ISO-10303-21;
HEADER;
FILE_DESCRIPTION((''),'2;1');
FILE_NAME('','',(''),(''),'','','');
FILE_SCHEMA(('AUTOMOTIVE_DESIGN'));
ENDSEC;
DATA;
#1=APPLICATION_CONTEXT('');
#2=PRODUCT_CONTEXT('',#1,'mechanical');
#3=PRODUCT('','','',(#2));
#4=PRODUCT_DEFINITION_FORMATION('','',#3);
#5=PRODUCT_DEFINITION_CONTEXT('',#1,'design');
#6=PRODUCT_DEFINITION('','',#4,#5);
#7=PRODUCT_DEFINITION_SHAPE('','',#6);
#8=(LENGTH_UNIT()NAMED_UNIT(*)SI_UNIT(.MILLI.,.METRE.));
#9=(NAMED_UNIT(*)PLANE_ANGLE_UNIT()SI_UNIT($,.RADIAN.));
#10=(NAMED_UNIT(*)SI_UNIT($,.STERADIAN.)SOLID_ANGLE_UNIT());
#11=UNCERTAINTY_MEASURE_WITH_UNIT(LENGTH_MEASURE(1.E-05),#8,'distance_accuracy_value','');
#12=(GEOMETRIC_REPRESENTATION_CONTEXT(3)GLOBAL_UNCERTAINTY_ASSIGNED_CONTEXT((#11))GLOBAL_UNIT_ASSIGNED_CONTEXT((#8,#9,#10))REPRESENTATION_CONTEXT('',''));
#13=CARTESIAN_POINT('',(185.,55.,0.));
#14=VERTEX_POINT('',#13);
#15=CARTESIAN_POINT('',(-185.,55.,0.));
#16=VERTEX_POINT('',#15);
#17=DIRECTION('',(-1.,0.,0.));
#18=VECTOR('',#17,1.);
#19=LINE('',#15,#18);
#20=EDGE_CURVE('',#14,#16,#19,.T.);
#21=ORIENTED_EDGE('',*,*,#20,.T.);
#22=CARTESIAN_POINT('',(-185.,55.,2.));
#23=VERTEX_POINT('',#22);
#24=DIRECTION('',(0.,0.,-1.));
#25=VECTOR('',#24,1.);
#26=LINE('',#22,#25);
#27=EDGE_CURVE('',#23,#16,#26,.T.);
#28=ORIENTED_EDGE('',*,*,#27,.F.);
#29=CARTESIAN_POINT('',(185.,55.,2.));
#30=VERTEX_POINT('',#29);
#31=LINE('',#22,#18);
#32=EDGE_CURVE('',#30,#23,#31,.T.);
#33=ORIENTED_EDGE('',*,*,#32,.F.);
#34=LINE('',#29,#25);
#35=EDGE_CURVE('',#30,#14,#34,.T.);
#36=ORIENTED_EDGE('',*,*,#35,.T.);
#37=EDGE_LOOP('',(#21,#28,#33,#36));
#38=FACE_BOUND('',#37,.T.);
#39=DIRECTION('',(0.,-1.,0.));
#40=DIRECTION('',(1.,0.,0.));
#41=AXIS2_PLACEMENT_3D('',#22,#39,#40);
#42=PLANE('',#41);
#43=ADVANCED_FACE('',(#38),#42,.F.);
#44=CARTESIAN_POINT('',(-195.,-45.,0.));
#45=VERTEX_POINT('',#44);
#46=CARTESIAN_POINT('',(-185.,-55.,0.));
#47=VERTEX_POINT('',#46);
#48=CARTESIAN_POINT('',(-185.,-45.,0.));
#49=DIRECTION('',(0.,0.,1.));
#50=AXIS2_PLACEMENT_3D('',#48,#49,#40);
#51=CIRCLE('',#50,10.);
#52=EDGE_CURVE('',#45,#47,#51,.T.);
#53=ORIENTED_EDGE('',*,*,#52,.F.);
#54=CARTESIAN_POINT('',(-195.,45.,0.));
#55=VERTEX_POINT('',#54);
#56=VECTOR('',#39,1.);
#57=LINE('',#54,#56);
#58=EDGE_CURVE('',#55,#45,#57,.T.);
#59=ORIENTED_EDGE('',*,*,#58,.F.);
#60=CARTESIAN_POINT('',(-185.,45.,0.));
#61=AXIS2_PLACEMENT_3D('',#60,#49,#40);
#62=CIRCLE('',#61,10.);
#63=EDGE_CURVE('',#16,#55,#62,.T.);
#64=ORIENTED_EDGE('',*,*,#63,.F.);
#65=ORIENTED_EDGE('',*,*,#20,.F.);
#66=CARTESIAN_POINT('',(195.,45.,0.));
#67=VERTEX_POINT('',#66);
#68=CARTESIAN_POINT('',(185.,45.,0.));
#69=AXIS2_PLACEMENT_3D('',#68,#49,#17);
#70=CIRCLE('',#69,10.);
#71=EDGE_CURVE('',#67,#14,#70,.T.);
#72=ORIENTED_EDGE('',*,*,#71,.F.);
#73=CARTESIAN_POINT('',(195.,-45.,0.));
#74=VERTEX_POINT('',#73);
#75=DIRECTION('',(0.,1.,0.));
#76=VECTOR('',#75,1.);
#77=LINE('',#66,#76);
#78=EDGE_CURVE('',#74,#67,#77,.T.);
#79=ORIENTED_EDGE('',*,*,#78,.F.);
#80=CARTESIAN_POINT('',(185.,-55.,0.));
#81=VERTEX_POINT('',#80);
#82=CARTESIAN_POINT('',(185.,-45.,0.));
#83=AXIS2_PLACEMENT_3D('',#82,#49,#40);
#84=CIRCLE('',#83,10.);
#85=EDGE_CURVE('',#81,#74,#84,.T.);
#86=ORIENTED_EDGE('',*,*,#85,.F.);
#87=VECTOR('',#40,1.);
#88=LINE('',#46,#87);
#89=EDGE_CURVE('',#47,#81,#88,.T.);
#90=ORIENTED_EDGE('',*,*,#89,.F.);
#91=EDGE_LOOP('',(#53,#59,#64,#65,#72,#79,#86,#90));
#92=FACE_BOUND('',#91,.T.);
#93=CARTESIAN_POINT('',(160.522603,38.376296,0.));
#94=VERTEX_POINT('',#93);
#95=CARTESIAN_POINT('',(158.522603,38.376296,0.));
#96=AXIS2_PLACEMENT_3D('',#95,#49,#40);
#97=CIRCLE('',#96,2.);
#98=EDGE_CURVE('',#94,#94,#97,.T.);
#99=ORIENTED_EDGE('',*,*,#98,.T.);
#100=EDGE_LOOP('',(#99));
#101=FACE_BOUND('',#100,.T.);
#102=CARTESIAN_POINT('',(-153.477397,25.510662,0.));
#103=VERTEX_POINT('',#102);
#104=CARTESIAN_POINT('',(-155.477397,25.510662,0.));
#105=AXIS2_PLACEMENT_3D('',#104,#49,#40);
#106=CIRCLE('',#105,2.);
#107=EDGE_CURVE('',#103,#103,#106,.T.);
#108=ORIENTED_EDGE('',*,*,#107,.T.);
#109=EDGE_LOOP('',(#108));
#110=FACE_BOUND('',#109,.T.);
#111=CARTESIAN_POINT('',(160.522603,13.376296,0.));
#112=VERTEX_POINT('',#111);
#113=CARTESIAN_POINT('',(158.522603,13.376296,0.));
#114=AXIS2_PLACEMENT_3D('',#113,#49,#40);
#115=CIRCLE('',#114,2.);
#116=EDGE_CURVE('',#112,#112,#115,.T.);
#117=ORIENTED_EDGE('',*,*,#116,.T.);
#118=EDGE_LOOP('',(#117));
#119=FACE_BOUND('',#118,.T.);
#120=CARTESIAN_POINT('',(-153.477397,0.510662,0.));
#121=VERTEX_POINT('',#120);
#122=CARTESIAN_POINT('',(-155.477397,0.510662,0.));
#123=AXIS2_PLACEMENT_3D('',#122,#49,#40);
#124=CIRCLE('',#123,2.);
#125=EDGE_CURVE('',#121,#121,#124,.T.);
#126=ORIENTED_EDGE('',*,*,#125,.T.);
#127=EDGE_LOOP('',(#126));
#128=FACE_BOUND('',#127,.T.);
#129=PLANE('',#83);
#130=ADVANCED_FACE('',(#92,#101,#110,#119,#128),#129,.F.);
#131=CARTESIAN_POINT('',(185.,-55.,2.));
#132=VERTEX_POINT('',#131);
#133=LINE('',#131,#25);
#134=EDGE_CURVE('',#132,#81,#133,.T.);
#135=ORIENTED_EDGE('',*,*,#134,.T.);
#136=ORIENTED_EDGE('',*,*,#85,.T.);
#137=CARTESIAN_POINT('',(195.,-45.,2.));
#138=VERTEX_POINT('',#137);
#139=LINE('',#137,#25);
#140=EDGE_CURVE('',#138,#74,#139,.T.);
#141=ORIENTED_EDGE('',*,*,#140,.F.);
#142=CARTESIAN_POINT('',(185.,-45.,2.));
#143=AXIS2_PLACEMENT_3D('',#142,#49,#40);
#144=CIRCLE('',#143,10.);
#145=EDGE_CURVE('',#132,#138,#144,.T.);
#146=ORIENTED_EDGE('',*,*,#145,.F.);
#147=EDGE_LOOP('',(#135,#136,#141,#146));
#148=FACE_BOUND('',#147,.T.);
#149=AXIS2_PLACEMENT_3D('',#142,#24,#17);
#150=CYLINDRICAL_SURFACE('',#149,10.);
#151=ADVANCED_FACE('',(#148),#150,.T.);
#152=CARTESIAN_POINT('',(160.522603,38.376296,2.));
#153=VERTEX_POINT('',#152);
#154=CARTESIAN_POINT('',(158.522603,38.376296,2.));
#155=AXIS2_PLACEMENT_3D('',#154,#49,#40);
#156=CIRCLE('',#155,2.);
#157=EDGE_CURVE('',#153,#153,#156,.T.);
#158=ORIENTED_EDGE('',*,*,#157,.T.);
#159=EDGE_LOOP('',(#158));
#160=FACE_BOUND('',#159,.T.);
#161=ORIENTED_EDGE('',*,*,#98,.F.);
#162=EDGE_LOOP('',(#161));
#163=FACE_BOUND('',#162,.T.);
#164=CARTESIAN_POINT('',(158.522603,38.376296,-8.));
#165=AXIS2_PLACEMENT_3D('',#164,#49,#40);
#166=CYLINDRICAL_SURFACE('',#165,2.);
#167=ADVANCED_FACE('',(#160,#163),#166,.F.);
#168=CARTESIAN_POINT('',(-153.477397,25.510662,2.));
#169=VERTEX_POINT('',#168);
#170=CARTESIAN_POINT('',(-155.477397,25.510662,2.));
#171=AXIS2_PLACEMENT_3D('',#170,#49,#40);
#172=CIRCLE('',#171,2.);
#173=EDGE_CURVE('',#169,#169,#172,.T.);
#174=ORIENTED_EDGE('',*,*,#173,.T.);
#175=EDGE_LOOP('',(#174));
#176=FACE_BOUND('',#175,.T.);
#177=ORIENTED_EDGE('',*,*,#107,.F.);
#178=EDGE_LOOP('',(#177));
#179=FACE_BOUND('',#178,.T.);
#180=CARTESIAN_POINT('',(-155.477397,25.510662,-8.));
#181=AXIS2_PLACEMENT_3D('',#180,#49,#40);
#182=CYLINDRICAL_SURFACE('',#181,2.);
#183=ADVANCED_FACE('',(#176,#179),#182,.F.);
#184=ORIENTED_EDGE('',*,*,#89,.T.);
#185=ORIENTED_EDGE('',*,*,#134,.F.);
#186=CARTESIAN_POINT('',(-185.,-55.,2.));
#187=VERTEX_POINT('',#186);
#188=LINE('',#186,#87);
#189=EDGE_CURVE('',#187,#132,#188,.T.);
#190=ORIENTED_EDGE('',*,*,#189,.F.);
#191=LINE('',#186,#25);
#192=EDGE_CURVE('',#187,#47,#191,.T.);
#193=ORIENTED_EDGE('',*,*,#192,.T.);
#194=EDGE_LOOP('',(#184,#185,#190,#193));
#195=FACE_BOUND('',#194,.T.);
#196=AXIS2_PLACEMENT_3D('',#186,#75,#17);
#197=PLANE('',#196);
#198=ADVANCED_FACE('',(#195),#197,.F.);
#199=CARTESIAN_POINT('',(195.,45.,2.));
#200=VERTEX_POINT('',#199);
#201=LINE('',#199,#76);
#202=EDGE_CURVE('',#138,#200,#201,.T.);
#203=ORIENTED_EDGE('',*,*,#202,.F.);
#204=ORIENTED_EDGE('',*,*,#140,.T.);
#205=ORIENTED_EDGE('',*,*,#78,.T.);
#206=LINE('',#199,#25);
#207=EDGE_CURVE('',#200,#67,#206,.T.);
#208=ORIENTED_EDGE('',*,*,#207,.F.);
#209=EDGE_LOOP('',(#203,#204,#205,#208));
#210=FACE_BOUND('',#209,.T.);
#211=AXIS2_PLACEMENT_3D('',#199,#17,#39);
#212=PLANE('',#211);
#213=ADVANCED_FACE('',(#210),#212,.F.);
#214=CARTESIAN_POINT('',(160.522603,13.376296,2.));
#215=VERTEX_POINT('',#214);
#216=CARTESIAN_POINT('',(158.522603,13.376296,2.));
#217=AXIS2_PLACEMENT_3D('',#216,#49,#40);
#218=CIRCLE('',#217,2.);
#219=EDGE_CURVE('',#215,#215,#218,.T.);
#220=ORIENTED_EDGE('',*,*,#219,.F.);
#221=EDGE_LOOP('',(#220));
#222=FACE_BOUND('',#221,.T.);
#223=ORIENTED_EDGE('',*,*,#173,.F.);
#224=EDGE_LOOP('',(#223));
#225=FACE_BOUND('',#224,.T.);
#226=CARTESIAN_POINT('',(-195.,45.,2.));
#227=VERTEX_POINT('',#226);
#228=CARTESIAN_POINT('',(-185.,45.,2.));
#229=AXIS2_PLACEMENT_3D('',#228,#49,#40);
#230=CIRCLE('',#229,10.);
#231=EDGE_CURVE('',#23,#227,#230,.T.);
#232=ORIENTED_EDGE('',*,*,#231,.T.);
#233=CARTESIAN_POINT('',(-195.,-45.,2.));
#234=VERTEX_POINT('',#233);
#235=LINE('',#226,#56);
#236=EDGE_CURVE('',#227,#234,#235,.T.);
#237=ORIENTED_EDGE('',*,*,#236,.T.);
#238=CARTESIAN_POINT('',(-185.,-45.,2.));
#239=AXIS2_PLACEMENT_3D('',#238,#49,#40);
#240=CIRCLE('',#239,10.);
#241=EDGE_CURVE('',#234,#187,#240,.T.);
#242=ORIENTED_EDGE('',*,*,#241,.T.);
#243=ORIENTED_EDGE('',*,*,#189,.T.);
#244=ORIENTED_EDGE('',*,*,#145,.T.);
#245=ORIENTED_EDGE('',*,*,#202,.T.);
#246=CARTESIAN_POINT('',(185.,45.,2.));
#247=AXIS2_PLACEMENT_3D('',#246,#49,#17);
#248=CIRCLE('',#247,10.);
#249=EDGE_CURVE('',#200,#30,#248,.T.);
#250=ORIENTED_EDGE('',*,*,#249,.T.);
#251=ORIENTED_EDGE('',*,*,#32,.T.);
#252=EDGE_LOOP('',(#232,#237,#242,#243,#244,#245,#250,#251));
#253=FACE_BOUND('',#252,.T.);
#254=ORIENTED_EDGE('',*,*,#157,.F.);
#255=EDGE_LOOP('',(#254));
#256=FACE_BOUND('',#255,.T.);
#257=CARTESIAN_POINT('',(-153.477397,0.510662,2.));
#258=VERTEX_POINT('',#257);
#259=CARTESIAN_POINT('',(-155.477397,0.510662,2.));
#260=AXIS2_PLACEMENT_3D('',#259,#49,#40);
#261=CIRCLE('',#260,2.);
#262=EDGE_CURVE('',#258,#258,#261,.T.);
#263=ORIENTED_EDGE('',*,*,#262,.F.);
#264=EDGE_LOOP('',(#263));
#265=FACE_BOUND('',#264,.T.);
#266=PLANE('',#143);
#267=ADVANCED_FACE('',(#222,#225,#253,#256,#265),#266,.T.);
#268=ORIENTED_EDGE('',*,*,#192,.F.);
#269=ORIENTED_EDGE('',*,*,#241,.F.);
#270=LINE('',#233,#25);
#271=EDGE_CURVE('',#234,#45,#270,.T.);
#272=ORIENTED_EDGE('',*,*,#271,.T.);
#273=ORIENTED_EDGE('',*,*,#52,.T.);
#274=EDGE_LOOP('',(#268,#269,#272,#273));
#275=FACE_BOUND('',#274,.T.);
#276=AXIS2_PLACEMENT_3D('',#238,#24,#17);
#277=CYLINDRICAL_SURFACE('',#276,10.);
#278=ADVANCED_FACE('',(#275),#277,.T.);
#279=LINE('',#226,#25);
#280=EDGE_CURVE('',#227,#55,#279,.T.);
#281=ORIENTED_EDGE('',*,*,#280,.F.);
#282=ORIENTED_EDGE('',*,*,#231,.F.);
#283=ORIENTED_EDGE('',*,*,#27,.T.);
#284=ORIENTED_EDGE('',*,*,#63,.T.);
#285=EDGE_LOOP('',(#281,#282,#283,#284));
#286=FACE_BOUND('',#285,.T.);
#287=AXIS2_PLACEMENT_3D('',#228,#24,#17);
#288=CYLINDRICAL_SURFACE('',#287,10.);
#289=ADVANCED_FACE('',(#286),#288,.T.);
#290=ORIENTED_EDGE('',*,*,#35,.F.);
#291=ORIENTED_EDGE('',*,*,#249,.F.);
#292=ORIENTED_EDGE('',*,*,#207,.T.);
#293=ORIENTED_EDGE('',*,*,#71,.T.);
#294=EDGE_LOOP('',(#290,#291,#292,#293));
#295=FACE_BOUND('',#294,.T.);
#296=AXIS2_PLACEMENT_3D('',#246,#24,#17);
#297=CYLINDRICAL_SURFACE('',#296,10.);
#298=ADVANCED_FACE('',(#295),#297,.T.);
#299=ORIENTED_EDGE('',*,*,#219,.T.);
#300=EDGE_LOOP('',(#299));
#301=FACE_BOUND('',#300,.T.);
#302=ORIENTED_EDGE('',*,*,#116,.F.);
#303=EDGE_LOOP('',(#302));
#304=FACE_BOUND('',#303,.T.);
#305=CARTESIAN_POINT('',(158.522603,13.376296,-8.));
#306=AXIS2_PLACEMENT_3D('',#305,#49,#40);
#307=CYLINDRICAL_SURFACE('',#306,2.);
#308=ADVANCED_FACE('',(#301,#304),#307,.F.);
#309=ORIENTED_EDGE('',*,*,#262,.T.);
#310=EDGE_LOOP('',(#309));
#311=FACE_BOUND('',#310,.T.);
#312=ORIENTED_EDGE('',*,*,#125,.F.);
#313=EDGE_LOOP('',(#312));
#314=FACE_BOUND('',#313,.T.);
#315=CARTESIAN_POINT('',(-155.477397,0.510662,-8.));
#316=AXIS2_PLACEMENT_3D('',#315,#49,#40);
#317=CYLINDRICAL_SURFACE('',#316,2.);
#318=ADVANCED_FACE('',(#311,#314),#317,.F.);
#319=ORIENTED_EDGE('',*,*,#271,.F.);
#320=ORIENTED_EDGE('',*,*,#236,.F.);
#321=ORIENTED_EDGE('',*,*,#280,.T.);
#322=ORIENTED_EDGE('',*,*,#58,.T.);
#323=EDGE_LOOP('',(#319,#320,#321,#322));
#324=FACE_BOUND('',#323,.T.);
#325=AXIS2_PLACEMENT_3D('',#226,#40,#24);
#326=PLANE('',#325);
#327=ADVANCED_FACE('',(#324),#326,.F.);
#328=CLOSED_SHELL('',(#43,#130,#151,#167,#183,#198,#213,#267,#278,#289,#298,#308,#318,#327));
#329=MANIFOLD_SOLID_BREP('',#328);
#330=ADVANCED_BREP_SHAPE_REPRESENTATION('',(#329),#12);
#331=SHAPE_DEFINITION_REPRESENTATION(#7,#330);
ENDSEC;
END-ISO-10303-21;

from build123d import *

# Parameters (mm, degrees)
BOSS_EXTRU_1_DEPTH      = 2
ESQUISSE6_R             = 2
ENL_V_MAT_EXTRU_1_DEPTH = 10


with BuildPart() as part:
    # Esquisse1 → Boss.-Extru.1 (new body)
    with BuildSketch(Plane.XY):
        with BuildLine():
            Line((-185, 55), (185, 55))
            ThreePointArc((185, 55), (192.071067812, 52.071067812), (195, 45))
            Line((195, 45), (195, -45))
            ThreePointArc((195, -45), (192.071067812, -52.071067812), (185, -55))
            Line((185, -55), (-185, -55))
            ThreePointArc((-185, -55), (-192.071067812, -52.071067812), (-195, -45))
            Line((-195, -45), (-195, 45))
            ThreePointArc((-195, 45), (-192.071067812, 52.071067812), (-185, 55))
        make_face()
    extrude(amount=BOSS_EXTRU_1_DEPTH)

    # Esquisse6 → Enlèv. mat.-Extru.1 (cut)
    with BuildSketch(Plane.XY.offset(2)):
        with Locations((158.522603101, 13.37629565)):
            Circle(ESQUISSE6_R)
        with Locations((158.522603101, 38.37629565)):
            Circle(ESQUISSE6_R)
        with Locations((-155.477396899, 25.510661874)):
            Circle(ESQUISSE6_R)
        with Locations((-155.477396899, 0.510661874)):
            Circle(ESQUISSE6_R)
    extrude(amount=-ENL_V_MAT_EXTRU_1_DEPTH, mode=Mode.SUBTRACT)


solid = part.part
